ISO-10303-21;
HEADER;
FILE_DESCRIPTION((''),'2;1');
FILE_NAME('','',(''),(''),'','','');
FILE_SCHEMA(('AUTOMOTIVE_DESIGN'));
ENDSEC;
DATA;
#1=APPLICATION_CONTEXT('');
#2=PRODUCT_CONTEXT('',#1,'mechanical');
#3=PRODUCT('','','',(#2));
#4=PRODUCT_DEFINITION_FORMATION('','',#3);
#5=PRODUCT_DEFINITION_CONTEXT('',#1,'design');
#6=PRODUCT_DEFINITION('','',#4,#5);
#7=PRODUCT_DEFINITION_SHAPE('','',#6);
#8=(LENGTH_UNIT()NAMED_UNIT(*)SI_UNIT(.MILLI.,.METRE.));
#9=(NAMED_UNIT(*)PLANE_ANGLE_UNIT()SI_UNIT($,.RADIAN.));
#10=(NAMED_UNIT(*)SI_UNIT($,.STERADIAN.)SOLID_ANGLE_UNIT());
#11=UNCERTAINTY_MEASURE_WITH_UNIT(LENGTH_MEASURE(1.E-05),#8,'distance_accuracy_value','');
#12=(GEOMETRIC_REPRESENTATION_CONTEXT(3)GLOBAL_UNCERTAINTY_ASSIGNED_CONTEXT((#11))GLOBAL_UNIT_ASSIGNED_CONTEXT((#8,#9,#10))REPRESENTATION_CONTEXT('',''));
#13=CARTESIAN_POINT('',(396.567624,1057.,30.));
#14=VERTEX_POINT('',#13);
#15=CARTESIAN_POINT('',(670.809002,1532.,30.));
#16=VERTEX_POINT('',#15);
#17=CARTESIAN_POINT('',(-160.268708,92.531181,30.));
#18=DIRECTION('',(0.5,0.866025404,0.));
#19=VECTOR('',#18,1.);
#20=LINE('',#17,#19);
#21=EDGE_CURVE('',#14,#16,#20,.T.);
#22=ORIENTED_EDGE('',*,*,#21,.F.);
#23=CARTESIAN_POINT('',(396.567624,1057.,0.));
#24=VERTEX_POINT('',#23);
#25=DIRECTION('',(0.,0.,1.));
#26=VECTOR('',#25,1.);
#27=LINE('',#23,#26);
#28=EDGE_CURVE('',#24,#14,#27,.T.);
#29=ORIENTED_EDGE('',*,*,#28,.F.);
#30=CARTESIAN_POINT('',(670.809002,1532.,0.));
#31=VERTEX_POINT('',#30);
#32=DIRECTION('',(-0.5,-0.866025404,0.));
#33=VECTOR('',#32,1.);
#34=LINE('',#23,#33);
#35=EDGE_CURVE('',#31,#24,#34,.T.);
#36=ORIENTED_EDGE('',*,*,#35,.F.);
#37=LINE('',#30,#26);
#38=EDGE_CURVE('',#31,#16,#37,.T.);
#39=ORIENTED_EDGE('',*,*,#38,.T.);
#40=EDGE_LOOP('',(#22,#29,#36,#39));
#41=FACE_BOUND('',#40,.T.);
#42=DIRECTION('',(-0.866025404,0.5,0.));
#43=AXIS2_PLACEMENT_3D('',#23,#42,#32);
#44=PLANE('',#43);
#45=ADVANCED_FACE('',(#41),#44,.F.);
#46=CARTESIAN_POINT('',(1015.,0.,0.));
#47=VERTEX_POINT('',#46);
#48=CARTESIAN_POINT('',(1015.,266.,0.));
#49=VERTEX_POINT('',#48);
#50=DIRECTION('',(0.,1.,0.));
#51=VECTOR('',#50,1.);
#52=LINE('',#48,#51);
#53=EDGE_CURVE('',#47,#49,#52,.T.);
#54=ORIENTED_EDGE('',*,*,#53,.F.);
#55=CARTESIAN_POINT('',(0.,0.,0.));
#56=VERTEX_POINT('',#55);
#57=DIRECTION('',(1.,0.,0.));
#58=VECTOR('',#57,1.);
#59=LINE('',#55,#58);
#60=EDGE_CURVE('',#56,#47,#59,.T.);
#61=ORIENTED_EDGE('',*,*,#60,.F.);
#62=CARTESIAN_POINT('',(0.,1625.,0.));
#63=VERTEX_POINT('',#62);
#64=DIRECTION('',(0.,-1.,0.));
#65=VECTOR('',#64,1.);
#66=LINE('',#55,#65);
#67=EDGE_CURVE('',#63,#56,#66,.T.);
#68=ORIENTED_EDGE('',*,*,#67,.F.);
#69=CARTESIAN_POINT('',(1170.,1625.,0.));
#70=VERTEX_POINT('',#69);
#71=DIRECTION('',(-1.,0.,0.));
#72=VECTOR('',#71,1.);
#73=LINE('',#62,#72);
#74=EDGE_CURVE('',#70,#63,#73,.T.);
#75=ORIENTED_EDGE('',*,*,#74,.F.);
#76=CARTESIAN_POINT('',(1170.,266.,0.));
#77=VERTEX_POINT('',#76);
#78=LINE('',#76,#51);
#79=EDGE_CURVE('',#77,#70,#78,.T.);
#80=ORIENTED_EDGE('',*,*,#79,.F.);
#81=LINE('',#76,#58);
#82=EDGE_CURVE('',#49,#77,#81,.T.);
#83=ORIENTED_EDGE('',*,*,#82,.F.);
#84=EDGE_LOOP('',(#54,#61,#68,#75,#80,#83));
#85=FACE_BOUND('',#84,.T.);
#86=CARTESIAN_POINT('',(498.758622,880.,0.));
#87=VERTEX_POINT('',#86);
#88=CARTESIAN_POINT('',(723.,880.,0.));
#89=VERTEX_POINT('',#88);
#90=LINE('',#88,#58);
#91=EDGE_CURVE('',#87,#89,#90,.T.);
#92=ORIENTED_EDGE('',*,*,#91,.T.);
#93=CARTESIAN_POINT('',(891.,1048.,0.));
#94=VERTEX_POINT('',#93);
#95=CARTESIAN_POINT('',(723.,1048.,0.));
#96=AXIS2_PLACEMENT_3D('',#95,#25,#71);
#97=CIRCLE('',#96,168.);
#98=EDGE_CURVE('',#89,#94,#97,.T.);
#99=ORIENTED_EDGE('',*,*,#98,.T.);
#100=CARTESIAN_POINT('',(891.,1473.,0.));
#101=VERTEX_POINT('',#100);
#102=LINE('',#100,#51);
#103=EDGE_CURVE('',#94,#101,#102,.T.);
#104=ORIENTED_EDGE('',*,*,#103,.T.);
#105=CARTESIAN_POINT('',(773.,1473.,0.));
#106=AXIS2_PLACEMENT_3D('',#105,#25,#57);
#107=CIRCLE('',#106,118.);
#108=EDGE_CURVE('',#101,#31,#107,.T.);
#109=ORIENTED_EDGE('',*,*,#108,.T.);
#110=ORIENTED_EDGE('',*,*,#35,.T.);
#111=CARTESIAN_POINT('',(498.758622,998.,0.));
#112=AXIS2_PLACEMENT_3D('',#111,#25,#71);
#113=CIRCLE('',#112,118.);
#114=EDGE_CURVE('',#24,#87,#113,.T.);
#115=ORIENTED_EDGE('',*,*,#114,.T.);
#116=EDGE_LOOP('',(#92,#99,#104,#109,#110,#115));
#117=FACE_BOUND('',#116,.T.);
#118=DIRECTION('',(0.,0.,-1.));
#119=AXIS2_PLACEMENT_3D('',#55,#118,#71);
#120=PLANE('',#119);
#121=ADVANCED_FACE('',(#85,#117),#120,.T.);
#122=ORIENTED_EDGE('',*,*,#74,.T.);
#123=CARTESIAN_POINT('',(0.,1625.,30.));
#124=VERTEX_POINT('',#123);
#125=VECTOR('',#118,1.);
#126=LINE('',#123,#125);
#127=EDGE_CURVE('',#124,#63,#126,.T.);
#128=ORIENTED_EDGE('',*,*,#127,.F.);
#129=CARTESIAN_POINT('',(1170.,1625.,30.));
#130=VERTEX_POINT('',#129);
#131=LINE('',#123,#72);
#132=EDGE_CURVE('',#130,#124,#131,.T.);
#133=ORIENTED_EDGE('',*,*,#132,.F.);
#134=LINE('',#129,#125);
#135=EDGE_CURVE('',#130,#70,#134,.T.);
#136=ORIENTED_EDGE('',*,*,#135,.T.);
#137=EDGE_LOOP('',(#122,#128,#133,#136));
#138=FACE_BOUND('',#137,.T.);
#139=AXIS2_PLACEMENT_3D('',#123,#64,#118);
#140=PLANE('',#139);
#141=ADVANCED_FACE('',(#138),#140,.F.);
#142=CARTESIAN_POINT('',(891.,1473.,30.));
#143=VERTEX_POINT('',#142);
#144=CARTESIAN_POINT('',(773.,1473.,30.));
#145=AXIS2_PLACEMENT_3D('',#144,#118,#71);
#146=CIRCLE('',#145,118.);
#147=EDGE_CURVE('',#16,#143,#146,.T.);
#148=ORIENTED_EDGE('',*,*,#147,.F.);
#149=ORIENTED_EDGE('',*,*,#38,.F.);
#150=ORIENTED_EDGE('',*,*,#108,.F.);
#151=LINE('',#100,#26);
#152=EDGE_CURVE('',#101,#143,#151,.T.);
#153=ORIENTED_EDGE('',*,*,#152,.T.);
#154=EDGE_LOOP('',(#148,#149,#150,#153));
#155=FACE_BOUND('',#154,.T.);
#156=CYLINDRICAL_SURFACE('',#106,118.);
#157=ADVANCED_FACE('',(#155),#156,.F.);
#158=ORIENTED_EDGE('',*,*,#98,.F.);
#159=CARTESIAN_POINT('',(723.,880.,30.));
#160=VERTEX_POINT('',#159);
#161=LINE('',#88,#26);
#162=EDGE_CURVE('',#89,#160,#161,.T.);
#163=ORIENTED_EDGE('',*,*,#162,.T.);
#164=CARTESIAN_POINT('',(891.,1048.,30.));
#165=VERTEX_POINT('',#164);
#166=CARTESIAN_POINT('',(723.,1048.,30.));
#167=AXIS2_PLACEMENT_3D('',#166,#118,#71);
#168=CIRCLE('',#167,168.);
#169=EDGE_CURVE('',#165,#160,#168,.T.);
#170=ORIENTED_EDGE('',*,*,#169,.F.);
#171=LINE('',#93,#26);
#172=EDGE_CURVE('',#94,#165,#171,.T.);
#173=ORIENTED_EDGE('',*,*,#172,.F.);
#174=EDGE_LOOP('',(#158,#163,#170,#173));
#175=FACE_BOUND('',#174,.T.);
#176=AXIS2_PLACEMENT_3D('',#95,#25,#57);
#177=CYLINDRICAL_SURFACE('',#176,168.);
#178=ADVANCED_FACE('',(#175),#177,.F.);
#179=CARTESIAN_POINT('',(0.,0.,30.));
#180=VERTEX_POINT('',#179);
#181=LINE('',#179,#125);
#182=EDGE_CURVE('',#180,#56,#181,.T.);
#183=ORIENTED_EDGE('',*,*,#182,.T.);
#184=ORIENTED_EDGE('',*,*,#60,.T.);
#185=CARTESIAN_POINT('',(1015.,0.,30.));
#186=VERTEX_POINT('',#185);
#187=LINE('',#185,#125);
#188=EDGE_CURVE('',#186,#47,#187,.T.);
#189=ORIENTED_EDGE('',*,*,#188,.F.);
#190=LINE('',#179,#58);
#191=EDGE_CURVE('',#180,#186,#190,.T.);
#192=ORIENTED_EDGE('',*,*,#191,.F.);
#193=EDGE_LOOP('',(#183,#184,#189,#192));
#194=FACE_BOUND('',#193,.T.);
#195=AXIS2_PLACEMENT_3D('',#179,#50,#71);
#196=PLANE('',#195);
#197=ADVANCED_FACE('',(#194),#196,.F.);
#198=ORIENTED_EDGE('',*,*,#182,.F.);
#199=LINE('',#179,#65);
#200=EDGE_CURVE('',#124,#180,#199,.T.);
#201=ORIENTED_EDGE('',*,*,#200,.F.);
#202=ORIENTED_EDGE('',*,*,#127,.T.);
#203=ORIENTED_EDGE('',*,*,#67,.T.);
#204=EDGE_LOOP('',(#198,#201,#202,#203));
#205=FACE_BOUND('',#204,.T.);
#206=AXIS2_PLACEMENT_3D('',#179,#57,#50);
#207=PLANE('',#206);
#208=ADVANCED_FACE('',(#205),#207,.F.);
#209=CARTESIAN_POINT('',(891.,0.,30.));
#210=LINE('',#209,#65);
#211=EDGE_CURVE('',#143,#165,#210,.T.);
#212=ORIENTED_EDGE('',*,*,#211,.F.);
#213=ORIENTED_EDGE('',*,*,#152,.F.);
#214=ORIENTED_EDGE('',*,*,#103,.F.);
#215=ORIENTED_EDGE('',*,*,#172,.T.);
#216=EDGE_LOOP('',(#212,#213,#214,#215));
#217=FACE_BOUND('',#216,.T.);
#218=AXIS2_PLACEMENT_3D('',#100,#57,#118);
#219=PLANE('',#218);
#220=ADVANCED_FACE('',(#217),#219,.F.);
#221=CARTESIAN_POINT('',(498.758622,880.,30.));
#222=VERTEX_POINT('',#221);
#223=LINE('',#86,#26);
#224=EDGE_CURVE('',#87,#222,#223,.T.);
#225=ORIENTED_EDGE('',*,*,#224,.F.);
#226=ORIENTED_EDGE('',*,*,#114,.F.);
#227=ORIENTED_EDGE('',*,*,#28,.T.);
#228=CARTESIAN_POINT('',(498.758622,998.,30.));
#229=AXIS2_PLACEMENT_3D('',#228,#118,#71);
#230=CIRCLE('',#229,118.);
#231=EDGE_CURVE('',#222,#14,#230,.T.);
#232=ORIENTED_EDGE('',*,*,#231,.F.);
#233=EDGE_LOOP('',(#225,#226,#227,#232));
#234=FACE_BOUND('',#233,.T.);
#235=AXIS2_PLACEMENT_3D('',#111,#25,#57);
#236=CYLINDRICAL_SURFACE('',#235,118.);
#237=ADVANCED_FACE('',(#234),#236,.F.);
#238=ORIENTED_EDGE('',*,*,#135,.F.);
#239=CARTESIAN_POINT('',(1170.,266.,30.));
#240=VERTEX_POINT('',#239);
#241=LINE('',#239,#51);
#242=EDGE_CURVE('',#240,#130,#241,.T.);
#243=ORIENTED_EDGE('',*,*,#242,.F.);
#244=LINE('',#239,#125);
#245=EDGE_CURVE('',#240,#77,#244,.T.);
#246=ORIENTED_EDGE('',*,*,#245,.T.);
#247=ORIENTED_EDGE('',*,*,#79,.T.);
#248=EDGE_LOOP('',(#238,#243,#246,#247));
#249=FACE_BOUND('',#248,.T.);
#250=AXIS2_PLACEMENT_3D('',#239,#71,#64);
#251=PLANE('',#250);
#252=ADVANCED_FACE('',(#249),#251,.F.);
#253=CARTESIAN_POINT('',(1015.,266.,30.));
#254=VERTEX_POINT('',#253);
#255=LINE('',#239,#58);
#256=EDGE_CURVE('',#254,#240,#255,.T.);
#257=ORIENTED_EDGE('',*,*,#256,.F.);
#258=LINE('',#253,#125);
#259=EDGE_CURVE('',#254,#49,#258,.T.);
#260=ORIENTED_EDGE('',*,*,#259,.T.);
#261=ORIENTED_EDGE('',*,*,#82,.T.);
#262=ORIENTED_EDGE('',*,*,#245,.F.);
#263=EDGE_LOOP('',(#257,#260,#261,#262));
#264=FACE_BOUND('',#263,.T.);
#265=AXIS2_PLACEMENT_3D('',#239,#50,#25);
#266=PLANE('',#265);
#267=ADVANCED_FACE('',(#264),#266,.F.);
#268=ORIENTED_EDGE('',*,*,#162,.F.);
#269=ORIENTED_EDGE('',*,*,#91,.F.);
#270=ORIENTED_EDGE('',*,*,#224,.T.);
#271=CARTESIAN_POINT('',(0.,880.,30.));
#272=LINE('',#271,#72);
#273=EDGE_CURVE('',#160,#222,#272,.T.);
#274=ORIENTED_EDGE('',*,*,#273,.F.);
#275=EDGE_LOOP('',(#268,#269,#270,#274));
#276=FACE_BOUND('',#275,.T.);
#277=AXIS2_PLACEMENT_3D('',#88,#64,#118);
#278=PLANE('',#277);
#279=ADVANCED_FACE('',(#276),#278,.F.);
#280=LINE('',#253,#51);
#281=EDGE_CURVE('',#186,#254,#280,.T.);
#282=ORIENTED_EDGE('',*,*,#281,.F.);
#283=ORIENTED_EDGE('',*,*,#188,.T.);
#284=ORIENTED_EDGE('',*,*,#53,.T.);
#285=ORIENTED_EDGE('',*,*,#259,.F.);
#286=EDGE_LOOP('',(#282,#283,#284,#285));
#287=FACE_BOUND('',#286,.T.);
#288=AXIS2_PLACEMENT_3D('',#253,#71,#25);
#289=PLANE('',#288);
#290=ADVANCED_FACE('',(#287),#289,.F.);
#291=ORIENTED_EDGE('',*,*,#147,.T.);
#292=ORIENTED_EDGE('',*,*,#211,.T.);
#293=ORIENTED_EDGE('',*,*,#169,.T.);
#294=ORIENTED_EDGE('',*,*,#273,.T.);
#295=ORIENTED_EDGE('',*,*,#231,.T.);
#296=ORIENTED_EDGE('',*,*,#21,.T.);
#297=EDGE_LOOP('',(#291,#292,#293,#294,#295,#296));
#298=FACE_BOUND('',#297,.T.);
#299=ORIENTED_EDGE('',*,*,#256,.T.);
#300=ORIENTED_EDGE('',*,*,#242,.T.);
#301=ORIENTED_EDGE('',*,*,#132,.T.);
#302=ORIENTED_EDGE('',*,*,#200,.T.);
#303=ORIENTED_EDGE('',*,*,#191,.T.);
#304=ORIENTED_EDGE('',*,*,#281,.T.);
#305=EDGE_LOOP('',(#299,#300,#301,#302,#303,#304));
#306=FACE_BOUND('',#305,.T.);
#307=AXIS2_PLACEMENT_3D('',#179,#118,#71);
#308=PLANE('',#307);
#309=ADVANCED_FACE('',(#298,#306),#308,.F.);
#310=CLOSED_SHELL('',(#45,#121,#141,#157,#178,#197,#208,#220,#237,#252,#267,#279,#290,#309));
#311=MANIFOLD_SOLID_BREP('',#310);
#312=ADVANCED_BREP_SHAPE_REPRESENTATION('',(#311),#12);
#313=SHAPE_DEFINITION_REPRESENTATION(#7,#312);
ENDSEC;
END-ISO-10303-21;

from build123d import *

# Parameters (mm, degrees)
BOSS_EXTRUDE1_DEPTH = 30
CUT_EXTRUDE1_DEPTH  = 2109.570619983


with BuildPart() as part:
    # Sketch1 → Boss-Extrude1 (new body)
    with BuildSketch(Plane.XY):
        Polygon((0, 0), (1015, 0), (1015, 266), (1170, 266), (1170, 1625), (0, 1625), align=None)
    extrude(amount=BOSS_EXTRUDE1_DEPTH)

    # Sketch2 → Cut-Extrude1 (cut, through all)
    with BuildSketch(Plane(origin=(-119.436638294, -43.071405931, 31), x_dir=(1, 0, 0), z_dir=(0, 0, 1))):
        with BuildLine():
            Line((1010.436638294, 1516.071405931), (1010.436638294, 1091.071405931))
            ThreePointArc((1010.436638294, 1091.071405931), (961.230577533, 972.277466691), (842.436638294, 923.071405931))
            Line((842.436638294, 923.071405931), (618.195260429, 923.071405931))
            ThreePointArc((618.195260429, 923.071405931), (516.004262782, 982.071405931), (516.004262782, 1100.071405931))
            Line((516.004262782, 1100.071405931), (790.245640647, 1575.071405931))
            ThreePointArc((790.245640647, 1575.071405931), (922.977285616, 1630.050653433), (1010.436638294, 1516.071405931))
        make_face()
    extrude(amount=-CUT_EXTRUDE1_DEPTH, mode=Mode.SUBTRACT)


solid = part.part
